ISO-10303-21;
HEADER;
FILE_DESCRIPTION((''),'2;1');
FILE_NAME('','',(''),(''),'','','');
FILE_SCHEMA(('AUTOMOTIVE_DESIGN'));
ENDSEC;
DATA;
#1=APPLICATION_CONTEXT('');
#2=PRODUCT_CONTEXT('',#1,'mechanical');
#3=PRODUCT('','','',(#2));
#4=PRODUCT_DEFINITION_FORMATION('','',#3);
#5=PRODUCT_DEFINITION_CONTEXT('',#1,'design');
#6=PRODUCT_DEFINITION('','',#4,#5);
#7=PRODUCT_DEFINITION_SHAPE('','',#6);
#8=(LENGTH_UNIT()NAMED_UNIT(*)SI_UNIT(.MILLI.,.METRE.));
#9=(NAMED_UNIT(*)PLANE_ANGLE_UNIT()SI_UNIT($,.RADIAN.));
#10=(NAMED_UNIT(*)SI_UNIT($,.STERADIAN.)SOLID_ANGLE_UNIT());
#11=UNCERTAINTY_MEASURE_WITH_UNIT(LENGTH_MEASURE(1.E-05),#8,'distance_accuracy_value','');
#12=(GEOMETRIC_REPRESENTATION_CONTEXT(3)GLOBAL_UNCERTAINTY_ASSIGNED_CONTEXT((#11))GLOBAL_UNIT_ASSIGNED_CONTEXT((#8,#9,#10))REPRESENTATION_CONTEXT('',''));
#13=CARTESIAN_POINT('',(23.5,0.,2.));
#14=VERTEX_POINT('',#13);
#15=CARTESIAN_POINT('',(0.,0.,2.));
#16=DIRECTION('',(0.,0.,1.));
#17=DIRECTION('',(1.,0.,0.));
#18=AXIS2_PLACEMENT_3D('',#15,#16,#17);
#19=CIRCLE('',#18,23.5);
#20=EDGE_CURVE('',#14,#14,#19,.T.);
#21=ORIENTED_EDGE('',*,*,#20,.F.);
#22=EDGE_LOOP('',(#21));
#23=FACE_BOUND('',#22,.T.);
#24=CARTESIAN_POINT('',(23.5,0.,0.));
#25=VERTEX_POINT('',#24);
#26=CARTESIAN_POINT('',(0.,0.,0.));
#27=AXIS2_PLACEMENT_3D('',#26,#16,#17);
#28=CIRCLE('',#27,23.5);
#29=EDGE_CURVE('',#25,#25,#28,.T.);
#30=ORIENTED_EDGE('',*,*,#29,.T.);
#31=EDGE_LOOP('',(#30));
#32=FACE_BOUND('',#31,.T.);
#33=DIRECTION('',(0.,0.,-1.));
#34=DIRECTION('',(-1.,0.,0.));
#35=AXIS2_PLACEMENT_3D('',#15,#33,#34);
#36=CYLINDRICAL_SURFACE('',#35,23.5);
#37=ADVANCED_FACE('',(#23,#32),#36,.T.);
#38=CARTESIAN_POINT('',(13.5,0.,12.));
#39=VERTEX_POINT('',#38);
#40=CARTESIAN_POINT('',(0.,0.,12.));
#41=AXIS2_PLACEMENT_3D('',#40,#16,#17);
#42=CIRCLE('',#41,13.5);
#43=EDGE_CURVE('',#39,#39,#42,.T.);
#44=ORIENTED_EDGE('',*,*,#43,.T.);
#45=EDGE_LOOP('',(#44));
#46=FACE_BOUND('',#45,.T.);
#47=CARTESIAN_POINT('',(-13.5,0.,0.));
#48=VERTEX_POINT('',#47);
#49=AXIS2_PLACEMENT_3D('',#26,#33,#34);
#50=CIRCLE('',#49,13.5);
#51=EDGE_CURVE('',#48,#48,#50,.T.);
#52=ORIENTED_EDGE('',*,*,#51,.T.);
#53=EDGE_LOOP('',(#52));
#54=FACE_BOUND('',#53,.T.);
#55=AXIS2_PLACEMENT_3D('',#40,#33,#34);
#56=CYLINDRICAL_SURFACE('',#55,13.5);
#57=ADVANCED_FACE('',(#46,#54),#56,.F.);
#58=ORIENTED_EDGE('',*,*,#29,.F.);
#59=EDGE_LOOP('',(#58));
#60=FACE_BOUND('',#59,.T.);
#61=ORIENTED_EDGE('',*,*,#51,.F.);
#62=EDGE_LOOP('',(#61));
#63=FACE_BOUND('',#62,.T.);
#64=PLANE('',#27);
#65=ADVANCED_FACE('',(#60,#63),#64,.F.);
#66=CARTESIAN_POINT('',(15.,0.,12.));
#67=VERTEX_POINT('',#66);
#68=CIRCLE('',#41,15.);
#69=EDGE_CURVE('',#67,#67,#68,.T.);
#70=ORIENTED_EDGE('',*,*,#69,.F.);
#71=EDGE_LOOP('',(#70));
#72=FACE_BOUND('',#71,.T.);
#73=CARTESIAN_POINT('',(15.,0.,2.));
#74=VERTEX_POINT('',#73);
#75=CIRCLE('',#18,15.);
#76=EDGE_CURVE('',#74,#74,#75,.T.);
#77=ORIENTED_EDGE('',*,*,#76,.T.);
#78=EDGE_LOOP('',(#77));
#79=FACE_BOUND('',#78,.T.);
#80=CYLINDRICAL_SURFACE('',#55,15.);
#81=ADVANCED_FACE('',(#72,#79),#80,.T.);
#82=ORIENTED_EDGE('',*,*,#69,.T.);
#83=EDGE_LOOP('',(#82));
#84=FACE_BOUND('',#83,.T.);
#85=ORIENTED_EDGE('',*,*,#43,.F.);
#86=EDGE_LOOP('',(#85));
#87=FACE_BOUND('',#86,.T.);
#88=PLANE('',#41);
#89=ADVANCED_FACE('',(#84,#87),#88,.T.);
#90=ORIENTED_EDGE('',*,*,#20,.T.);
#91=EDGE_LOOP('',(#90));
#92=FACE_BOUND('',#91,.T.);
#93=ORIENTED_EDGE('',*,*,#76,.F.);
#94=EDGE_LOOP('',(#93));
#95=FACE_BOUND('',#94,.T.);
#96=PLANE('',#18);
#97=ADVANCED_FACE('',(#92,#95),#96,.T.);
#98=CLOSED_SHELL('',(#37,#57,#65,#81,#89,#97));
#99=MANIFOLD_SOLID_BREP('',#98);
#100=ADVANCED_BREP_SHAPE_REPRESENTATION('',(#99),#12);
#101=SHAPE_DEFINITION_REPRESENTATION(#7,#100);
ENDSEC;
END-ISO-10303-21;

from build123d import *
from build123d.topology import SkipClean

# Parameters (mm, degrees)
SKETCH1_R           = 23.5
BOSS_EXTRUDE1_DEPTH = 2
SKETCH2_R           = 15
SKETCH2_R_2         = 13.5
BOSS_EXTRUDE2_DEPTH = 10
SKETCH4_R           = 13.5
CUT_EXTRUDE1_DEPTH  = 10


with BuildPart() as part:
    # Sketch1 → Boss-Extrude1 (new body)
    with BuildSketch(Plane.XY):
        Circle(SKETCH1_R)
    extrude(amount=BOSS_EXTRUDE1_DEPTH)

    # Sketch2 → Boss-Extrude2 (add)
    with BuildSketch(Plane.XY.offset(2)):
        Circle(SKETCH2_R)
        Circle(SKETCH2_R_2, mode=Mode.SUBTRACT)
    extrude(amount=BOSS_EXTRUDE2_DEPTH)

    # Sketch4 → Cut-Extrude1 (cut)
    with SkipClean():  # the faces are left unmerged after this step: merging them gives an invalid solid
        with BuildSketch(Plane(origin=(0, 0, 0), x_dir=(-1, 0, 0), z_dir=(0, 0, -1))):
            Circle(SKETCH4_R)
        extrude(amount=-CUT_EXTRUDE1_DEPTH, mode=Mode.SUBTRACT)


solid = part.part
